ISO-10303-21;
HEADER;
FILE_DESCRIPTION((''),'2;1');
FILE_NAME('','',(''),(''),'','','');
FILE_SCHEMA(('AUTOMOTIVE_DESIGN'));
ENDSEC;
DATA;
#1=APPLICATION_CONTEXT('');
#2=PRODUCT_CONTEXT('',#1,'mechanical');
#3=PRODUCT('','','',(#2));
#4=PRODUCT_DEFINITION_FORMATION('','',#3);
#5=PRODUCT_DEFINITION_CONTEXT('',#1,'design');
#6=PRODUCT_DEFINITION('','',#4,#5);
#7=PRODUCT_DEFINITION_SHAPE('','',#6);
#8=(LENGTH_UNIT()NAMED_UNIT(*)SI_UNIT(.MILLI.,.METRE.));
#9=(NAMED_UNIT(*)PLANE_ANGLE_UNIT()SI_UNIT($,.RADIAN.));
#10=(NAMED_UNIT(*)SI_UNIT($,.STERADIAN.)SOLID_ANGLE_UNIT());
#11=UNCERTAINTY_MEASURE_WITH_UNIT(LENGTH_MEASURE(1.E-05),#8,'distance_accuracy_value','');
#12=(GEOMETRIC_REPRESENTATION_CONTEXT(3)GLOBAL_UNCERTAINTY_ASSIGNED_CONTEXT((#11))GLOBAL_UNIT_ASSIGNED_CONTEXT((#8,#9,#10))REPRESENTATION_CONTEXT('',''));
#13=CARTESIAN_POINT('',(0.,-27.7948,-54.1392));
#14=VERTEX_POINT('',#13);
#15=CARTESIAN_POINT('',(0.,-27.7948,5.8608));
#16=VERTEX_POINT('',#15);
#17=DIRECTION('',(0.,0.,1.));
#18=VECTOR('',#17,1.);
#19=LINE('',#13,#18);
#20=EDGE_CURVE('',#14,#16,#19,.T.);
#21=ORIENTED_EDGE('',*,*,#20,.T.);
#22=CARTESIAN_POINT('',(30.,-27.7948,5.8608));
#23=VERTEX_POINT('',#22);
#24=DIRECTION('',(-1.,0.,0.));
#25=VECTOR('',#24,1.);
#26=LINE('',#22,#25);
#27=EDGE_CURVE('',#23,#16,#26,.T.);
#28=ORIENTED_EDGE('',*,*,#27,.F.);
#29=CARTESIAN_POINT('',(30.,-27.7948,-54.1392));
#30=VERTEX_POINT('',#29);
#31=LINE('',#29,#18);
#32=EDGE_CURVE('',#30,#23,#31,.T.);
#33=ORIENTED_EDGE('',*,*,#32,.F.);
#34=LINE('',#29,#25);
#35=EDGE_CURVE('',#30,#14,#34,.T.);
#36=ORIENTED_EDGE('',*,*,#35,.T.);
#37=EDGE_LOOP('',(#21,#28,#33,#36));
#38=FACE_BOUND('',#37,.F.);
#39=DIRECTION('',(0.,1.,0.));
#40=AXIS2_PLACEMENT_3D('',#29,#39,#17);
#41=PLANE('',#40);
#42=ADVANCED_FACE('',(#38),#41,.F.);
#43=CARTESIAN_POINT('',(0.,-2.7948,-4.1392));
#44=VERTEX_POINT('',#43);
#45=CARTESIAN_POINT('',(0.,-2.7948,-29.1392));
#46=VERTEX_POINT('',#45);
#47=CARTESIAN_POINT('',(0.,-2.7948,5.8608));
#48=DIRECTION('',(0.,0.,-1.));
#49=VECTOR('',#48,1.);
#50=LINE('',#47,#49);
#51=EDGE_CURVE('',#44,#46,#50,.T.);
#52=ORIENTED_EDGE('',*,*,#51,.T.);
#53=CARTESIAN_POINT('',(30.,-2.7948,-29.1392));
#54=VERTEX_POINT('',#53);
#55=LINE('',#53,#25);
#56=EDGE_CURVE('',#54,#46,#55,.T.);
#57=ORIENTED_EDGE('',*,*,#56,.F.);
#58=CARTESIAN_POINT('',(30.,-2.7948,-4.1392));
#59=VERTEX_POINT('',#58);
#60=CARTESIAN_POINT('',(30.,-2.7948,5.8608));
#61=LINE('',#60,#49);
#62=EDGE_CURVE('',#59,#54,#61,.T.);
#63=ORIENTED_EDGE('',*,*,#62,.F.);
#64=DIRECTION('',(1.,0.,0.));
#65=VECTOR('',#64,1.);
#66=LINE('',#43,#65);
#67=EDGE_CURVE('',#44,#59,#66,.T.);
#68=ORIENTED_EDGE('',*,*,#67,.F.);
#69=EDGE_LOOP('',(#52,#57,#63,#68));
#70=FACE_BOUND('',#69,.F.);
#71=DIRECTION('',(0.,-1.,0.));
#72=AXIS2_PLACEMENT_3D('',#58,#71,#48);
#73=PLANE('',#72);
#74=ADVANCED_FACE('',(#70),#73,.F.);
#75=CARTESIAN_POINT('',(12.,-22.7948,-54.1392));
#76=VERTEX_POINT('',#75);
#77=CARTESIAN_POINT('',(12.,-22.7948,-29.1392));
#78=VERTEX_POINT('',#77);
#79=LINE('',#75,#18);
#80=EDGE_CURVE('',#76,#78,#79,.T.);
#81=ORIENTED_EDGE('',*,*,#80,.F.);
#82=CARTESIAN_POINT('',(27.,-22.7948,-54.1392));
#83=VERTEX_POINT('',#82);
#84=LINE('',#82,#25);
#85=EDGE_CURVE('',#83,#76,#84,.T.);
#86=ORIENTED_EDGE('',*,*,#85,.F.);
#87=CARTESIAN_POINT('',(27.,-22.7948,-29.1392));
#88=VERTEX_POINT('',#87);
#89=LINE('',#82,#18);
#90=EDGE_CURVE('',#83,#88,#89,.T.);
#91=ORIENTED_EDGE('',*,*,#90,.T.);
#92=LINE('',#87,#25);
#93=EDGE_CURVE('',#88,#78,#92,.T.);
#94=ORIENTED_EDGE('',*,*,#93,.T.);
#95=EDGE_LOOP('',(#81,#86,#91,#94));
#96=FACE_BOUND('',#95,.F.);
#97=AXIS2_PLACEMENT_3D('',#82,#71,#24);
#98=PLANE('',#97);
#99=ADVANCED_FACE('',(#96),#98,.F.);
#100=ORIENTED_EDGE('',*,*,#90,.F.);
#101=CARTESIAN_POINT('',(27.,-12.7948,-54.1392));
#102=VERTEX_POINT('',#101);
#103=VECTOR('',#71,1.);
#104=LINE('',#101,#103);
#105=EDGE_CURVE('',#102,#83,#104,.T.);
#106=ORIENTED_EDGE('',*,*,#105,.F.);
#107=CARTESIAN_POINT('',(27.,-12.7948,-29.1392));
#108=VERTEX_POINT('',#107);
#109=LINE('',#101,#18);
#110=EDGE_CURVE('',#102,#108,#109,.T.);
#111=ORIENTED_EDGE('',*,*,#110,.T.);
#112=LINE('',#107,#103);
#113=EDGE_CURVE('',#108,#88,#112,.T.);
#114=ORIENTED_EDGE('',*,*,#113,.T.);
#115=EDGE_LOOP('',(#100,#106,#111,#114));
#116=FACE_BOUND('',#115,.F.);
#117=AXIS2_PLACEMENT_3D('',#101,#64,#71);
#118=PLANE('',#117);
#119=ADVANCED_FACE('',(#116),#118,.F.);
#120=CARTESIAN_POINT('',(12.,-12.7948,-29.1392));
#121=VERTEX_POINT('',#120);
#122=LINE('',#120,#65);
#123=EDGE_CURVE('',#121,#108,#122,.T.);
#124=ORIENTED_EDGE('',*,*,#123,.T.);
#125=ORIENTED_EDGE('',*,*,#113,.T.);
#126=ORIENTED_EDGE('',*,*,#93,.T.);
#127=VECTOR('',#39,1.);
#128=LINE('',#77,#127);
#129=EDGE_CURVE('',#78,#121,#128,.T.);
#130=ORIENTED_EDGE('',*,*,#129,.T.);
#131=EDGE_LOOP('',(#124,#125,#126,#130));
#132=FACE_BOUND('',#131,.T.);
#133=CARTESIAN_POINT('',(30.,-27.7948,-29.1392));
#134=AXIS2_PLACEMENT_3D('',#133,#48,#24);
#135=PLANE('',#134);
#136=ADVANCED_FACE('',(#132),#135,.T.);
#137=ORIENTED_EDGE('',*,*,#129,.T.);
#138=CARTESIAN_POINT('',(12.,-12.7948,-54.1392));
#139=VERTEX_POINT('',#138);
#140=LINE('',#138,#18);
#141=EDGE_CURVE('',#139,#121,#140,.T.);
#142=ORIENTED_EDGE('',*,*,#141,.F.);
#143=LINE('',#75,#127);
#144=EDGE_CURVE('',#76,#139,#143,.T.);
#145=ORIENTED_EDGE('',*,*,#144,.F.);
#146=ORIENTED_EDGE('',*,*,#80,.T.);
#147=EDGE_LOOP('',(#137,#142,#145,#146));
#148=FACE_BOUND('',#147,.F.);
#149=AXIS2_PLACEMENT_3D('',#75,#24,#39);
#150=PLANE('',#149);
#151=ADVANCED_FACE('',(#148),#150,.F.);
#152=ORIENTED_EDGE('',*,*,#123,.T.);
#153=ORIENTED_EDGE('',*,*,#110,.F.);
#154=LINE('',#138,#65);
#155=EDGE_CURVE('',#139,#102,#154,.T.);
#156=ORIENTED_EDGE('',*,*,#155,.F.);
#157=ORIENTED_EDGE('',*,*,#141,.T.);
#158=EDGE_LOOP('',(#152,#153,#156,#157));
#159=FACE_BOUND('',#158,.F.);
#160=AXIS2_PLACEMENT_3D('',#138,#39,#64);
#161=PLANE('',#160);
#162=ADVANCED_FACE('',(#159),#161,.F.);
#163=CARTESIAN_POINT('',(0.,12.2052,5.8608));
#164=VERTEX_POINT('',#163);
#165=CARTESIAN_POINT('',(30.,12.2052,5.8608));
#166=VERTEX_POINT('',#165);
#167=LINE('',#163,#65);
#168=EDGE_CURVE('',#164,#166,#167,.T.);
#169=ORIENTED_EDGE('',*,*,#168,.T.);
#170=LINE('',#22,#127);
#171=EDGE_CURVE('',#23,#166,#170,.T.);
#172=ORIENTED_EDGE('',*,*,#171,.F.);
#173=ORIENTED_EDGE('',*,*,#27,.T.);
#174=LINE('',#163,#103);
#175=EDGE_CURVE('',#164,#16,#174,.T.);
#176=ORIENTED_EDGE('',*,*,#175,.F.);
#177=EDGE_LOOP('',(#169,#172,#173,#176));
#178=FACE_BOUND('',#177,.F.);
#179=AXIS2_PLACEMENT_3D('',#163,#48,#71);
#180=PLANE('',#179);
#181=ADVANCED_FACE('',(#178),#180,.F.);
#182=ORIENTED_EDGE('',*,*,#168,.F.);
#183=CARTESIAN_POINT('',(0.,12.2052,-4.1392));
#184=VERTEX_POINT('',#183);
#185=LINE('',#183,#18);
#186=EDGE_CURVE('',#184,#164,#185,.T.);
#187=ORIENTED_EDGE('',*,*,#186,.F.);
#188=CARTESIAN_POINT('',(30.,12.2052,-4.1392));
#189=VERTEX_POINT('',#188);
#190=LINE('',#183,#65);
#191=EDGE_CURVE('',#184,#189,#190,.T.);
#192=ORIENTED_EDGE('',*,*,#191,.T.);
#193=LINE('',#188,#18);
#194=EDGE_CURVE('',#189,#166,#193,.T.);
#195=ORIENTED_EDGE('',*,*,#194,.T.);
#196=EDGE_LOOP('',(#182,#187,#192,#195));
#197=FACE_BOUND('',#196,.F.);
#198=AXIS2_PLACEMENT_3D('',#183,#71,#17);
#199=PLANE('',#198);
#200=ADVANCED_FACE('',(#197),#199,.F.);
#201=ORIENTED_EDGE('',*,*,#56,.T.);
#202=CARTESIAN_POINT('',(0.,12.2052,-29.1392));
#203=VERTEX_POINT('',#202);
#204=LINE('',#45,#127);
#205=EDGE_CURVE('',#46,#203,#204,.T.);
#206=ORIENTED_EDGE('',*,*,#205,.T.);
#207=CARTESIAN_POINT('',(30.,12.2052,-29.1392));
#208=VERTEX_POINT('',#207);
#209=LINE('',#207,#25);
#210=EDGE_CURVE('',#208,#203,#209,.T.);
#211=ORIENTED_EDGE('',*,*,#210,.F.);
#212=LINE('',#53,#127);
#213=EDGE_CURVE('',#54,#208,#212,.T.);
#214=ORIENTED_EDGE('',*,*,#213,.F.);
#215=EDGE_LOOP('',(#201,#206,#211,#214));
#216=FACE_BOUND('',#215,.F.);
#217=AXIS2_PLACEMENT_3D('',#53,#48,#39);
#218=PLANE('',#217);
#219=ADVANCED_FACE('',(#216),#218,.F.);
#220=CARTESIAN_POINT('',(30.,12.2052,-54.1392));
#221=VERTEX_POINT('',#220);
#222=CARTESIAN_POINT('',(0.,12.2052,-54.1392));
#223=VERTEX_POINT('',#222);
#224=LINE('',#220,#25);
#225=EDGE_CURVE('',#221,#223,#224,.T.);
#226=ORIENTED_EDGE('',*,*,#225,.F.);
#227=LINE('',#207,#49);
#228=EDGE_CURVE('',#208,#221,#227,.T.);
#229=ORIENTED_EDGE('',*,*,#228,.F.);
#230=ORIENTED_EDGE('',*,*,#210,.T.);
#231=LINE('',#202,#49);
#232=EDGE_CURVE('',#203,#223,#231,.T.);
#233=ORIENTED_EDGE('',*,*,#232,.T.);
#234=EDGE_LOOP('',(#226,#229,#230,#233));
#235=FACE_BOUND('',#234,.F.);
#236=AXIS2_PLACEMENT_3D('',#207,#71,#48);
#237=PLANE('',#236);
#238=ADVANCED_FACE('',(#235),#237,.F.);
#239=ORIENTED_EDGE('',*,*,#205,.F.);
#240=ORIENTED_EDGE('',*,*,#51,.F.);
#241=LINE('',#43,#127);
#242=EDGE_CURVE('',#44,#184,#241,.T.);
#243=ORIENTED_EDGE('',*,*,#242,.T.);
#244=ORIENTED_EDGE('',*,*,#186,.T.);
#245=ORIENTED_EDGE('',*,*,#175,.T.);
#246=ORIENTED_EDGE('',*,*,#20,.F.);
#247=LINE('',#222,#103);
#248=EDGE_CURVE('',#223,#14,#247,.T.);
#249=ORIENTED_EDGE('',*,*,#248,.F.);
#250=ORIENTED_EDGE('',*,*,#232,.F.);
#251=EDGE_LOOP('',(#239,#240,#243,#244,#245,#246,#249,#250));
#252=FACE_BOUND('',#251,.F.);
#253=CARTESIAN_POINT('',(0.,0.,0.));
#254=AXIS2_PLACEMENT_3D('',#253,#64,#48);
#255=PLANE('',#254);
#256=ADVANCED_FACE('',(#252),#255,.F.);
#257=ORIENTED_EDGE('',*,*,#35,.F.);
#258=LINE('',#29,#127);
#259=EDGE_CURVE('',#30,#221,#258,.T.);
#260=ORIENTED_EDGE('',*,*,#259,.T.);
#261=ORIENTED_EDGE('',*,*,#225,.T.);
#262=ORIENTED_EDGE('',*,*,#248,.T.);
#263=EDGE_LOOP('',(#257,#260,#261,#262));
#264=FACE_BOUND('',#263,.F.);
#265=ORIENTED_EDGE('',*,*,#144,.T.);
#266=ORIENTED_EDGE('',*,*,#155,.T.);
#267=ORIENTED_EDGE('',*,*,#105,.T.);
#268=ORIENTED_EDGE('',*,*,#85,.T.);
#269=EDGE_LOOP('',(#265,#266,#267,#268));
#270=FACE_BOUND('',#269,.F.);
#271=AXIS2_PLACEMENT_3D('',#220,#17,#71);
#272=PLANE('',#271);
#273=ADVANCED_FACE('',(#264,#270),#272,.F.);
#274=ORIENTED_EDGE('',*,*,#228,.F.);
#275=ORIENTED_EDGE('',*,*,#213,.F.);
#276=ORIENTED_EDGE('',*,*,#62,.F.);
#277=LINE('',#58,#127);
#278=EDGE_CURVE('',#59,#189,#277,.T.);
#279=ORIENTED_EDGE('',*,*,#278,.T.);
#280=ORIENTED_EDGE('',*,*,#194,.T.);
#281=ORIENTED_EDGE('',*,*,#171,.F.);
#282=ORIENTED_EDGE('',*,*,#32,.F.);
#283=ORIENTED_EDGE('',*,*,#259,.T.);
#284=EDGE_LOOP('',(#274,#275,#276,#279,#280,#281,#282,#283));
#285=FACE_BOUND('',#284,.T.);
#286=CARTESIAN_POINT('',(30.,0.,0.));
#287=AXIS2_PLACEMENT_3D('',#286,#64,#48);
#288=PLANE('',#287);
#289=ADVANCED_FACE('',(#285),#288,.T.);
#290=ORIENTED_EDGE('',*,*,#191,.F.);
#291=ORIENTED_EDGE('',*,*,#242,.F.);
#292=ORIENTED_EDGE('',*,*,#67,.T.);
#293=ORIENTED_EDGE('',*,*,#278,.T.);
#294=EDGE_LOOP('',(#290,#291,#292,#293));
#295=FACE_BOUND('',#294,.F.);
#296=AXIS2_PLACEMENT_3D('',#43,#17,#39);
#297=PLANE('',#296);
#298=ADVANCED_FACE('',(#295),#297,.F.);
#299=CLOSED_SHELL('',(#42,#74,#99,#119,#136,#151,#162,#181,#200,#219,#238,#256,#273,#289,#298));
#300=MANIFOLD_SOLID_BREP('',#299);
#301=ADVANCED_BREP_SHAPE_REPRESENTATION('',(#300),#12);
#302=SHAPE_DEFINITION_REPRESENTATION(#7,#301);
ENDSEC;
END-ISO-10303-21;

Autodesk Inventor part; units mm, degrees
ref_plane "YZ Plane" through (0, 0, 0) normal (1, 0, 0) x (0, 1, 0)
ref_plane "XZ Plane" through (0, 0, 0) normal (0, 1, 0) x (-1, 0, 0)
ref_plane "XY Plane" through (0, 0, 0) normal (0, 0, 1) x (1, 0, 0)
sketch "Sketch1" plane through (0, 0, 0) normal (1, 0, 0) x (0, 1, 0)
  point P0 (0, 0)
sketch "Sketch2" plane through (0, 0, 0) normal (1, 0, 0) x (0, 1, 0)
  line L0 (12.2052, 5.8608) -> (-2.7948, 5.8608)
  line L1 (-2.7948, 5.8608) -> (-2.7948, -4.1392)
  line L2 (-2.7948, -4.1392) -> (12.2052, -4.1392)
  line L3 (12.2052, -4.1392) -> (12.2052, 5.8608)
  point P0 (0, 0)
  dimension "d0" = 15
  dimension "d1" = 10
extrude "Extrusion1" add sketch "Sketch2" along normal blind 30
sketch "Sketch3" plane through (30, 0, 0) normal (1, 0, 0) x (0, 0, -1)
  line L0 (-5.8608, -2.7948) -> (4.1392, -2.7948) projected
  line L1 (-5.8608, -2.7948) -> (54.1392, -2.7948)
  line L2 (54.1392, -2.7948) -> (54.1392, -27.7948)
  line L3 (54.1392, -27.7948) -> (-5.8608, -27.7948)
  line L4 (-5.8608, -27.7948) -> (-5.8608, -2.7948)
  point P0 (0, 0)
  dimension "d4" = 60
  dimension "d5" = 25
extrude "Extrusion2" add sketch "Sketch3" against normal blind 30
sketch "Sketch4" plane through (30, 0, 0) normal (1, 0, 0) x (0, 0, -1)
  line L0 (54.1392, -2.7948) -> (54.1392, -27.7948) projected
  line L1 (54.1392, -2.7948) -> (29.1392, -2.7948)
  line L2 (29.1392, -2.7948) -> (29.1392, 12.2052)
  line L3 (29.1392, 12.2052) -> (54.1392, 12.2052)
  line L4 (54.1392, 12.2052) -> (54.1392, -2.7948)
  point P0 (0, 0)
  dimension "d8" = 25
  dimension "d9" = 15
extrude "Extrusion3" add sketch "Sketch4" against normal blind 30
sketch "Sketch5" plane through (30, -27.7948, -54.1392) normal (0, 0, -1) x (-1, 0, 0)
  line L0 (0, 0) -> (30, 0) projected
  line L1 (0, 0) -> (0, 5)
  line L2 (0, 40) -> (0, 0) projected
  line L3 (0, 5) -> (3, 5)
  line L4 (3, 5) -> (18, 5)
  line L5 (18, 5) -> (18, 15)
  line L6 (18, 15) -> (3, 15)
  line L7 (3, 15) -> (3, 5)
  point P0 (30, 27.7948)
  dimension "d12" = 5
  dimension "d13" = 3
  dimension "d14" = 15
  dimension "d15" = 10
extrude "Extrusion4" cut sketch "Sketch5" against normal blind 25
